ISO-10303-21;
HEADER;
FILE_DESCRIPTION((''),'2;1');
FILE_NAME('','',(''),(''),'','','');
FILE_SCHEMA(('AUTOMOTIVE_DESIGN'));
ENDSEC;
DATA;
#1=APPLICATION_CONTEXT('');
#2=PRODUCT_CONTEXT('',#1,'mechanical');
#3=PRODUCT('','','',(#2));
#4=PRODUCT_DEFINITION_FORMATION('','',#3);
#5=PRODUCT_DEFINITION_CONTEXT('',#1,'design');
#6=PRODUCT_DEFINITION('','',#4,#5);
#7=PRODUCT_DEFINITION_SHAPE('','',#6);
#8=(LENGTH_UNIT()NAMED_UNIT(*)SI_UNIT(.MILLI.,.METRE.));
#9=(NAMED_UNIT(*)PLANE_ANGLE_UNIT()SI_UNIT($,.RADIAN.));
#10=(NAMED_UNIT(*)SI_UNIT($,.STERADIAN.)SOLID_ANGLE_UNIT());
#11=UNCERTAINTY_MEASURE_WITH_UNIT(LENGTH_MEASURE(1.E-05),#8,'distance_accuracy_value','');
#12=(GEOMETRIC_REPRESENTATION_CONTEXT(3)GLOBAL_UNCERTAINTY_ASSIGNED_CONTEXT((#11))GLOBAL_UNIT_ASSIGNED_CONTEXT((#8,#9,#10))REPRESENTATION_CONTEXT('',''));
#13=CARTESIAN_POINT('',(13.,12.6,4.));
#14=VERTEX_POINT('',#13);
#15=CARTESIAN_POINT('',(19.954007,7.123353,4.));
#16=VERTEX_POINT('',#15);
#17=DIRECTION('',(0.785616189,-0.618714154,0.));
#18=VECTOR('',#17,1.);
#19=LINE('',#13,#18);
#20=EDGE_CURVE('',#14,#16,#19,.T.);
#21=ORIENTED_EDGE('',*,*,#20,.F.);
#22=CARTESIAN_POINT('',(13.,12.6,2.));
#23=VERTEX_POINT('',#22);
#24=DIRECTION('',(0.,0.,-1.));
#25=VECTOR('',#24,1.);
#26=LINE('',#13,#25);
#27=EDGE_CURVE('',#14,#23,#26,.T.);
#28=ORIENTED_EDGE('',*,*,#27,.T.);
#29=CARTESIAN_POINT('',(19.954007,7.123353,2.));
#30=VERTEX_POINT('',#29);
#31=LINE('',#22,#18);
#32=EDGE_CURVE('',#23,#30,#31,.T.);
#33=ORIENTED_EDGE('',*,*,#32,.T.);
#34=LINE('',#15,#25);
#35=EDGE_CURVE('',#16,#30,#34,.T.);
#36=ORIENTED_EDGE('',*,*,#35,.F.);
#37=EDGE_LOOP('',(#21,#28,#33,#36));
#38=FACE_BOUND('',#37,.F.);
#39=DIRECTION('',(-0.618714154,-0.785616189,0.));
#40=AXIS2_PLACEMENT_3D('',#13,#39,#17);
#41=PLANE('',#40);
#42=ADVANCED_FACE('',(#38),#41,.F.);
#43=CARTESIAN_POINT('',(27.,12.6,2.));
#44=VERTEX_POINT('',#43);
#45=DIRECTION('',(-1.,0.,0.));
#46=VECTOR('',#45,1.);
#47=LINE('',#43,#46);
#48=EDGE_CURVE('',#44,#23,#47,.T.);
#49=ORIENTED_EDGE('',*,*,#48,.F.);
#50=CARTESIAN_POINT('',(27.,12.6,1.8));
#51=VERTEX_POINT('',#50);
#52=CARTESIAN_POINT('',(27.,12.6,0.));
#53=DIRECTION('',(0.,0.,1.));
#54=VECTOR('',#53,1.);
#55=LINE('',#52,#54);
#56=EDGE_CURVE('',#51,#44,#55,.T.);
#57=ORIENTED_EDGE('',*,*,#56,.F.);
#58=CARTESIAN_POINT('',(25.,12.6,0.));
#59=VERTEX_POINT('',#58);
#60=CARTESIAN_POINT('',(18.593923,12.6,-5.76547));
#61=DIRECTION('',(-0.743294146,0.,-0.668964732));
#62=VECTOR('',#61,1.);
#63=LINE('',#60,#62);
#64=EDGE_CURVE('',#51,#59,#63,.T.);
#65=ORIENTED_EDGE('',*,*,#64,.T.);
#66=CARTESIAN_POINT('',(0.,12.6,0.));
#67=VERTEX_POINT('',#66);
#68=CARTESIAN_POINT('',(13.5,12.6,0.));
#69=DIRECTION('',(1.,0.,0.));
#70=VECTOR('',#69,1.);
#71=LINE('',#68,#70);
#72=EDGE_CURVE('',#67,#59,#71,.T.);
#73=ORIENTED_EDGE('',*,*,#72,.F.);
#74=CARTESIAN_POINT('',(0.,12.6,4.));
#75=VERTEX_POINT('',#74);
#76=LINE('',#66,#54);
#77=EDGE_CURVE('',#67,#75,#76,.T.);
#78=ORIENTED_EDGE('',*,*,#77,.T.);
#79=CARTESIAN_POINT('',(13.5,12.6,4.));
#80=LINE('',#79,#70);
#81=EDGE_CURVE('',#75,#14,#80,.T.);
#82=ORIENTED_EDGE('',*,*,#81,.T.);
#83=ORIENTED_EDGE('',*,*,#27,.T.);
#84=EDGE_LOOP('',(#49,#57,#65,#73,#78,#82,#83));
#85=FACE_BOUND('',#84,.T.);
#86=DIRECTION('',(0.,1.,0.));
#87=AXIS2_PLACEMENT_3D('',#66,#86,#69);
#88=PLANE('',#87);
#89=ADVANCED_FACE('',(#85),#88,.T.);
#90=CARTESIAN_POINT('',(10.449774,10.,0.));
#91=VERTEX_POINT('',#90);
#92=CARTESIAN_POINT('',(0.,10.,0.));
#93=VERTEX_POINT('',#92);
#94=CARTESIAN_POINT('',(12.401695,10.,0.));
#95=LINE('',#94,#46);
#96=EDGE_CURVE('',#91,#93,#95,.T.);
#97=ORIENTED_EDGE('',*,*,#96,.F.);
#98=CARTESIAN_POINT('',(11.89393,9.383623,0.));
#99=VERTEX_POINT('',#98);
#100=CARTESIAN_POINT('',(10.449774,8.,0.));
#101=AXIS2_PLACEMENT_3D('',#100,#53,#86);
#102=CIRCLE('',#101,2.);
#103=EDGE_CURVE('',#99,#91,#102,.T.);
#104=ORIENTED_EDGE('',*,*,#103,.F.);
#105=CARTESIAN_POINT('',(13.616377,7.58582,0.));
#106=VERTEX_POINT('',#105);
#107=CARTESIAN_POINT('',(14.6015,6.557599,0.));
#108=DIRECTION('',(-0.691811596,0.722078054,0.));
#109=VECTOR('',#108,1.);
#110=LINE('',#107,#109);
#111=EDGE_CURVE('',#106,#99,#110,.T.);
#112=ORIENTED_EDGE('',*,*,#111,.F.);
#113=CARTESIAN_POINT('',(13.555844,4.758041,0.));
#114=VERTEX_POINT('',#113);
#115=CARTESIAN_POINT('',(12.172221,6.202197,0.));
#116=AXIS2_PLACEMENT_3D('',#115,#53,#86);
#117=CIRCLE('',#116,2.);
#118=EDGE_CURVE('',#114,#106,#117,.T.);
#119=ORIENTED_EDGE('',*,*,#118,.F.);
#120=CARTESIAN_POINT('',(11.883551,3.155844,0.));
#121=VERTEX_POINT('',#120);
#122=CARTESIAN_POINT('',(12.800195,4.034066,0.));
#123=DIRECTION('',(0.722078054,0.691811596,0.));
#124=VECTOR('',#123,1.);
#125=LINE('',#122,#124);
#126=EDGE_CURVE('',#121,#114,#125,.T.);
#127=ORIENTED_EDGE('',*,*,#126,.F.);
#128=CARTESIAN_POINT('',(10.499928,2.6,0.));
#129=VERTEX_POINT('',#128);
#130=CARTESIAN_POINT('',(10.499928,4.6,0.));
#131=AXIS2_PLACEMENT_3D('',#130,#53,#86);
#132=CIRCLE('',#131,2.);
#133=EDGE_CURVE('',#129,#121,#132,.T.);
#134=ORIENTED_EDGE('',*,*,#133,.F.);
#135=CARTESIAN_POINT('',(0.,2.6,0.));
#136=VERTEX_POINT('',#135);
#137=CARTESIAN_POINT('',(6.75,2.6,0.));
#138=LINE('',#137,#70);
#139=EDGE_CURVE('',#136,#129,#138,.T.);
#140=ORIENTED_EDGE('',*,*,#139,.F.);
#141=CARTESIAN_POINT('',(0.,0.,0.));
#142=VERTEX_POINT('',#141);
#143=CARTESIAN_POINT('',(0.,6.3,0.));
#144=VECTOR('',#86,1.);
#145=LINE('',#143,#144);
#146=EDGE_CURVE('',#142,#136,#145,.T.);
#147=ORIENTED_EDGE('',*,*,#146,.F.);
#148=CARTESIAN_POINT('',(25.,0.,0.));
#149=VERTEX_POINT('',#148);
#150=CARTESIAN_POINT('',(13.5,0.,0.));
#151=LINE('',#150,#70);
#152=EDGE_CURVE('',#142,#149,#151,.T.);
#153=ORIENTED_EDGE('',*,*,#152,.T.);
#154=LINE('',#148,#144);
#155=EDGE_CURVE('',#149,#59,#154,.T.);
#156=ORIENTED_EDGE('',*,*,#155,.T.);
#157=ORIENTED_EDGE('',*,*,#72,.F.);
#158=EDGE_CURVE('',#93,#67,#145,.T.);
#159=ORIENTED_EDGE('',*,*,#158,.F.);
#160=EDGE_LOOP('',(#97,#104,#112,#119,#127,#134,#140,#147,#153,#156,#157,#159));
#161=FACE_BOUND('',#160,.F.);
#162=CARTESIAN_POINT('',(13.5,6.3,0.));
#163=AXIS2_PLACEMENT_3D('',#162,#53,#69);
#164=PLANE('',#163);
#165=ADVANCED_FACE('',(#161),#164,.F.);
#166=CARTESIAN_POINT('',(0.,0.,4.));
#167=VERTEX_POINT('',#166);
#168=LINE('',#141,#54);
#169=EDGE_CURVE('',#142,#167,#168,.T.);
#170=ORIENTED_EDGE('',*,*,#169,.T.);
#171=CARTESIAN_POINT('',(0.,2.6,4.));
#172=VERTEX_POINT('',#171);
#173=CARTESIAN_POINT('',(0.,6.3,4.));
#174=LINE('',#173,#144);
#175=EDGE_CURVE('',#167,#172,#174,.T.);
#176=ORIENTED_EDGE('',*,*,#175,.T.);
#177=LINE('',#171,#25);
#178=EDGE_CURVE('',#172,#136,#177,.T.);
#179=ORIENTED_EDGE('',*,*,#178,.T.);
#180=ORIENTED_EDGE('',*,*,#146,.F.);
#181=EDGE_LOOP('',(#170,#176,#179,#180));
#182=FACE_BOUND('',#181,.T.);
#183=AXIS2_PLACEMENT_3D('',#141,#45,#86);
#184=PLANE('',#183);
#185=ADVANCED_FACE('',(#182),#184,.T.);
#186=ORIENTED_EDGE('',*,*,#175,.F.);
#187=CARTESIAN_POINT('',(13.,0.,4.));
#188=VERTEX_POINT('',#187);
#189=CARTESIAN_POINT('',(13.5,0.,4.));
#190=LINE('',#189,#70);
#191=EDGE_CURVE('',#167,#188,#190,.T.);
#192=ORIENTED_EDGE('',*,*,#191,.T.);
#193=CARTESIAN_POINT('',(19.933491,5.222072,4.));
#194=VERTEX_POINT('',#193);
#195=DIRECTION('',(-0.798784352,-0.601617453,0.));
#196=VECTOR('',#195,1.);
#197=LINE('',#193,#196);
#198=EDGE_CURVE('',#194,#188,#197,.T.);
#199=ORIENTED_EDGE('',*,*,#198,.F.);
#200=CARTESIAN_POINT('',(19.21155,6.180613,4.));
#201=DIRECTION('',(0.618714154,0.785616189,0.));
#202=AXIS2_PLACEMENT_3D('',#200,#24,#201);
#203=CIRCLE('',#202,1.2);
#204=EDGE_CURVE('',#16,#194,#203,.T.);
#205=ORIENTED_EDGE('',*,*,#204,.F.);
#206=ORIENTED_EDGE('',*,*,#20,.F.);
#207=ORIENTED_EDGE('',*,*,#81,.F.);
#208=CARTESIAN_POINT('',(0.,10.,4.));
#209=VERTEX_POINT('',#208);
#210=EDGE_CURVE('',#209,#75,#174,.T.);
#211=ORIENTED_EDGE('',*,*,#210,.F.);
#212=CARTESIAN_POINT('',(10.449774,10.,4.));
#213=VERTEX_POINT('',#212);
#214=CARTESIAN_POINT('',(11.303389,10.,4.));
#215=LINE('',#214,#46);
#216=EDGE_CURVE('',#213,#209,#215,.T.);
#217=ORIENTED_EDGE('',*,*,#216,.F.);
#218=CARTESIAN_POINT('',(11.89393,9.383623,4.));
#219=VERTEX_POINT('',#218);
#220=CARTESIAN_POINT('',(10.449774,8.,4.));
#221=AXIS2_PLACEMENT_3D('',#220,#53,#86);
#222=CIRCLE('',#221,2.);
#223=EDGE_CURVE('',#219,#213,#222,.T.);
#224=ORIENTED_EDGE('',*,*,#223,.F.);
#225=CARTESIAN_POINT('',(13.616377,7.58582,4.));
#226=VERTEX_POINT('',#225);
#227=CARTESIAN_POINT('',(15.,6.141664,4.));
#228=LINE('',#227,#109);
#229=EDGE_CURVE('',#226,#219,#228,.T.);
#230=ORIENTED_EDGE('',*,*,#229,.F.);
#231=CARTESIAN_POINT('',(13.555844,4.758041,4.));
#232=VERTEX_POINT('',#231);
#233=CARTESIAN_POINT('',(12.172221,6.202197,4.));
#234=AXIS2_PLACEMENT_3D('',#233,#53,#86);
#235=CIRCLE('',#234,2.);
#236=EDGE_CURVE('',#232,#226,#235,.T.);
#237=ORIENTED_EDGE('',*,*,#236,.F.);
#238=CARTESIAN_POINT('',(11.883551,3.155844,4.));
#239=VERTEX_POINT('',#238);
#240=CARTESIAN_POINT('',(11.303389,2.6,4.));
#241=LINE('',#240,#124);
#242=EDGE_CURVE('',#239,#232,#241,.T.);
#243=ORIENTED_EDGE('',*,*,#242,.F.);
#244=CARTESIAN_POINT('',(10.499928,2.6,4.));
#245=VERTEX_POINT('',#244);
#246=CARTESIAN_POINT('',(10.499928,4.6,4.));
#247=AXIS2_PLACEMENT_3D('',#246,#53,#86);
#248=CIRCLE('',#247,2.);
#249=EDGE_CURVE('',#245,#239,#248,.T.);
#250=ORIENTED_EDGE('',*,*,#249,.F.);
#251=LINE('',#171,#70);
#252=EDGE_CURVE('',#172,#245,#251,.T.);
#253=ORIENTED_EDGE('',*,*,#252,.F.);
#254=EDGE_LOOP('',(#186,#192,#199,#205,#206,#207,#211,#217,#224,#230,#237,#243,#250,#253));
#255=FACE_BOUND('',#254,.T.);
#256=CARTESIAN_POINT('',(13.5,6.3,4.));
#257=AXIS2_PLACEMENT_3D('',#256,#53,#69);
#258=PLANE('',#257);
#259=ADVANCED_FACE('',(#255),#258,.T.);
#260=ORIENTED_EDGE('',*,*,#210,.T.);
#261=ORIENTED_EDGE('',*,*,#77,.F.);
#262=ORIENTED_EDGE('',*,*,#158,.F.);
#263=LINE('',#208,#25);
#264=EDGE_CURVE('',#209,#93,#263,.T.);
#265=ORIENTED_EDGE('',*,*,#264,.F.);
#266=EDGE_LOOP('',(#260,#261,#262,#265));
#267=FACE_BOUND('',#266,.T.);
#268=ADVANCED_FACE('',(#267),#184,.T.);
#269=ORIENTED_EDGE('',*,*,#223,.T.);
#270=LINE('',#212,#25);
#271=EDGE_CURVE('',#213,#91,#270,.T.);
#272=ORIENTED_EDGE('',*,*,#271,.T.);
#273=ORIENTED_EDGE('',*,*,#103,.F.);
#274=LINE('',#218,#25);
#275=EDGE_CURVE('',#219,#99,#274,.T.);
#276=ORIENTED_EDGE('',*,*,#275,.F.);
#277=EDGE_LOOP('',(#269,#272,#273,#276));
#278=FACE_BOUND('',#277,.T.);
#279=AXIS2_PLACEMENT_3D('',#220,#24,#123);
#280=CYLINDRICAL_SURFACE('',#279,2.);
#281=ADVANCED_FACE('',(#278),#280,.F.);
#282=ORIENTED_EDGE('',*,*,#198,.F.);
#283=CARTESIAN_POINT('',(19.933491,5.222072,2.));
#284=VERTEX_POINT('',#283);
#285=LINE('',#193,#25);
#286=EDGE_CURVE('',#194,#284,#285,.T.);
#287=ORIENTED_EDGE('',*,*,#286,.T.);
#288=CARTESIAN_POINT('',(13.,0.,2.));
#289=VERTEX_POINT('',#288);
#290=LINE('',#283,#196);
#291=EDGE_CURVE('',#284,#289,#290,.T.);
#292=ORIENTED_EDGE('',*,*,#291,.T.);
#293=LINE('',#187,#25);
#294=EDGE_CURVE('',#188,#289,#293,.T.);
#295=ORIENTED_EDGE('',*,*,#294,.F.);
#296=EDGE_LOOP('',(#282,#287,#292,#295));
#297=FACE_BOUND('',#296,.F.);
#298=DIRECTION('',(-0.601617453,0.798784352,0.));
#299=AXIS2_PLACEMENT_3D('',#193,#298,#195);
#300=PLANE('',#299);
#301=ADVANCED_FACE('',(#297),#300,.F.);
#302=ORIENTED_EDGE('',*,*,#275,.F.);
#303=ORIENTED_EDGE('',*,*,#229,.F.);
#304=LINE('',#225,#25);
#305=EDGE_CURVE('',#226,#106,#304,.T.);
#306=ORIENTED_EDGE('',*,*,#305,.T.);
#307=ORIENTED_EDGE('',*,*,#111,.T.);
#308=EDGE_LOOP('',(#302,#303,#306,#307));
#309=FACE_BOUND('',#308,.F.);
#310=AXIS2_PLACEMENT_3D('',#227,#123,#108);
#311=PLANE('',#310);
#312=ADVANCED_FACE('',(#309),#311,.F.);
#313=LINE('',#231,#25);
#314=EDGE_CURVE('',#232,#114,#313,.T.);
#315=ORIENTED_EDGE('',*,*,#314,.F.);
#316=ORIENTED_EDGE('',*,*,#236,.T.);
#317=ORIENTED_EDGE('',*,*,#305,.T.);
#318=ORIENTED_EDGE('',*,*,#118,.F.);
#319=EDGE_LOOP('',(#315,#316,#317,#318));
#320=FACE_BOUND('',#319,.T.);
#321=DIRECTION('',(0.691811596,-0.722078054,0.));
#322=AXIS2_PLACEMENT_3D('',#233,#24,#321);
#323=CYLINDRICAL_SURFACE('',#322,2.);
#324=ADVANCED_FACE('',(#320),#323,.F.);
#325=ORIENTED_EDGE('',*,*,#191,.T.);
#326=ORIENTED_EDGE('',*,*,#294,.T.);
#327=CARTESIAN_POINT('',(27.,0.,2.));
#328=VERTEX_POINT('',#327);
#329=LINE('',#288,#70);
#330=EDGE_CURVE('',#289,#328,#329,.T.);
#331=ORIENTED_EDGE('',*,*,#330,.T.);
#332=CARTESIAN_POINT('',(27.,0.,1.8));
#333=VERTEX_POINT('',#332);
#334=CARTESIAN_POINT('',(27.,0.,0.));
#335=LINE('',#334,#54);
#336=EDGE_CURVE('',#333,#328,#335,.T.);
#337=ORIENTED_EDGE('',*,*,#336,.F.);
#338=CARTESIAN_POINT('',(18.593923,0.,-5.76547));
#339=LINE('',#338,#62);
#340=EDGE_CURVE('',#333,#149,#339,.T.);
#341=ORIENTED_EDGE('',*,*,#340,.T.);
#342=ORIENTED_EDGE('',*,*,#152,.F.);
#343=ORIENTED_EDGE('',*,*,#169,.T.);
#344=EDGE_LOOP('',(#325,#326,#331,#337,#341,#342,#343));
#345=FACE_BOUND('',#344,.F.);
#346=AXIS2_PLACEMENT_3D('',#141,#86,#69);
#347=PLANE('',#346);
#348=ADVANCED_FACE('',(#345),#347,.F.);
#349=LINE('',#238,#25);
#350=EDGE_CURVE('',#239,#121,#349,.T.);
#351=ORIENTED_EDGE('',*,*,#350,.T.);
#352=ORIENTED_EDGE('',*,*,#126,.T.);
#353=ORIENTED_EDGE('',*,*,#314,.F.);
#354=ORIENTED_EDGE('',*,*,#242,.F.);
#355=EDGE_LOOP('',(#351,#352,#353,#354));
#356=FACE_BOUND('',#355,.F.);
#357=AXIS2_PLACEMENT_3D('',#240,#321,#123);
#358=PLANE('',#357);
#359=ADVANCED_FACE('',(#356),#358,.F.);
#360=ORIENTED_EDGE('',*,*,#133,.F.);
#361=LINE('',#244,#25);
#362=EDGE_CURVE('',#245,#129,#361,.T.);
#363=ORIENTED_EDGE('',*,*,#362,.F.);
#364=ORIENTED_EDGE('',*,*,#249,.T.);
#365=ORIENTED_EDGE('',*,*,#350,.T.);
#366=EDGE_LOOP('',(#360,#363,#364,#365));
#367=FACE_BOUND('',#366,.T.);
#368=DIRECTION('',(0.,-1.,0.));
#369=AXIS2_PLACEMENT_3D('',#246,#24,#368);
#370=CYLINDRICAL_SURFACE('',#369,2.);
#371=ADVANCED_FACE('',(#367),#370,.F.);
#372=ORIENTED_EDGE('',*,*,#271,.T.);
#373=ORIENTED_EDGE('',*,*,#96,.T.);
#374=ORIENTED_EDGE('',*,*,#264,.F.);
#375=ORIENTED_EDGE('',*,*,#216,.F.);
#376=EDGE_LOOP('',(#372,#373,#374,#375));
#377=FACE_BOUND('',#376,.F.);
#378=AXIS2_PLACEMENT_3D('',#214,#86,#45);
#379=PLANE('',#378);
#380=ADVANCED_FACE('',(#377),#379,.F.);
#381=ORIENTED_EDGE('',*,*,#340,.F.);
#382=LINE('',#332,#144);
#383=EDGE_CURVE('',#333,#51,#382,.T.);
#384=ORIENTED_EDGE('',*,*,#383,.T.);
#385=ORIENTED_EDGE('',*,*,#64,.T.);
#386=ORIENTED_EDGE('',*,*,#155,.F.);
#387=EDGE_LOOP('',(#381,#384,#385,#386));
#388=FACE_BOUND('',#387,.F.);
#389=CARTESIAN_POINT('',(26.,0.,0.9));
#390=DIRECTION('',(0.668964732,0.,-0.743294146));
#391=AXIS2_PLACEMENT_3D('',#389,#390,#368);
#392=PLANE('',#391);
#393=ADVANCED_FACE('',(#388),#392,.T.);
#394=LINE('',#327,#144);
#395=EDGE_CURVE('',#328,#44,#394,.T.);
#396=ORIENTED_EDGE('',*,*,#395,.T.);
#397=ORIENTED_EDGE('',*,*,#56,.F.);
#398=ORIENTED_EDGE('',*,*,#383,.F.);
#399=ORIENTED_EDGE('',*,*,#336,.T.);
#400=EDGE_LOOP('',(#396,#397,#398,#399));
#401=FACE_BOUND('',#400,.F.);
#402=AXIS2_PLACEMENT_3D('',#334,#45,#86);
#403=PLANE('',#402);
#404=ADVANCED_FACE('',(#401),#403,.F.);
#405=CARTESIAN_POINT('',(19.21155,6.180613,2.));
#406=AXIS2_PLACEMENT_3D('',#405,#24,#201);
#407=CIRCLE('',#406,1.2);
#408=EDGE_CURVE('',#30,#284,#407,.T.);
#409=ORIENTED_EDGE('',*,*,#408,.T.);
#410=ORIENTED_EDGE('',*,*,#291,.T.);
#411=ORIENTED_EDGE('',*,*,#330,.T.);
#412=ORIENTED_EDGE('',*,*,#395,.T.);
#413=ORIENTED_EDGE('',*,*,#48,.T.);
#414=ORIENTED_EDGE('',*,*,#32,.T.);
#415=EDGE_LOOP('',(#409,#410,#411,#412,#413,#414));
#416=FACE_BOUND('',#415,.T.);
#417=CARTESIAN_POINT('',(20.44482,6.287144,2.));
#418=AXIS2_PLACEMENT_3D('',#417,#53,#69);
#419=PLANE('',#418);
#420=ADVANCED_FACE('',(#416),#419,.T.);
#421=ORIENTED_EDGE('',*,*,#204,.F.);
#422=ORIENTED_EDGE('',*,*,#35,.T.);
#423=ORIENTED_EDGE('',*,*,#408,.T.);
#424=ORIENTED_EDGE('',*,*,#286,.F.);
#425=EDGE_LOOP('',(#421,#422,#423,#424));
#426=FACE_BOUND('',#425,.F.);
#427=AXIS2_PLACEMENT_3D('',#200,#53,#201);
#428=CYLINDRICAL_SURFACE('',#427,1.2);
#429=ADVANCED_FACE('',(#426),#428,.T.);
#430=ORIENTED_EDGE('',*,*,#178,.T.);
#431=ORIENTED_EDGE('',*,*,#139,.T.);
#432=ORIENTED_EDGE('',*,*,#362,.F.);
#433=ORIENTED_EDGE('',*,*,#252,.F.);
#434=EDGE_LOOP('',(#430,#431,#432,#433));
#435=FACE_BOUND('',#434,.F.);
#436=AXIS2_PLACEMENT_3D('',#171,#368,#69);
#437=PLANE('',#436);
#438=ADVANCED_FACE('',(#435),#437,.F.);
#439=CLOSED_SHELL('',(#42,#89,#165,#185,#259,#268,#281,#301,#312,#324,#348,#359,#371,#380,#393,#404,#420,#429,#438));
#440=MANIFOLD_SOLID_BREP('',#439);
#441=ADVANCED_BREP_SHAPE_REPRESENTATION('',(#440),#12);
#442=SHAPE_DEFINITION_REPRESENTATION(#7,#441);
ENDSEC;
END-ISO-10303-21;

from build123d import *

# Parameters (mm, degrees)
F0_W     = 27
F0_H     = 12.6
F1_DEPTH = 4
F3_DEPTH = 25
F4_R     = 2
F6_DEPTH = 2
F7_SIZE2 = 2
F7_SIZE  = 1.8


with BuildPart() as f1:
    # F0 (on Top) → F1 (new body)
    with BuildSketch(Plane.XY):
        with Locations((13.5, 6.3)):
            Rectangle(F0_W, F0_H)
    extrude(amount=F1_DEPTH)

    # F2 (on face) → F3 (cut)
    with BuildSketch(Plane.XY.offset(4)):
        Polygon((11.3033894163, 10), (0, 10), (0, 2.6), (11.3033894163, 2.6), (15, 6.1416643043), align=None)
    extrude(amount=-F3_DEPTH, mode=Mode.SUBTRACT)

    # F4
    f4_edges = [f1.edges().sort_by_distance(p)[0] for p in [
        (11.303389, 10, 2),
        (15, 6.141664, 2),
        (11.303389, 2.6, 2),
    ]]
    fillet(f4_edges, radius=F4_R)

    # F5 (on face) → F6 (cut)
    with BuildSketch(Plane.XY.offset(4)):
        with BuildLine():
            Line((27, 12.6), (13, 12.6))
            Line((13, 12.6), (19.9540073999, 7.1233526669))
            ThreePointArc((19.9540073999, 7.1233526669), (20.4114805586, 6.1676652225), (19.9334913588, 5.2220720186))
            Line((19.9334913588, 5.2220720186), (13, 0))
            Line((13, 0), (27, 0))
            Line((27, 0), (27, 12.6))
        make_face()
    extrude(amount=-F6_DEPTH, mode=Mode.SUBTRACT)

    # F7
    f7_edges = [f1.edges().sort_by_distance(p)[0] for p in [
        (27, 6.3, 0),
    ]]
    f7_side = f1.faces().sort_by_distance((27, 6.3, 1))[0]
    chamfer(f7_edges, length=F7_SIZE, length2=F7_SIZE2, reference=f7_side)


solid = f1.part
